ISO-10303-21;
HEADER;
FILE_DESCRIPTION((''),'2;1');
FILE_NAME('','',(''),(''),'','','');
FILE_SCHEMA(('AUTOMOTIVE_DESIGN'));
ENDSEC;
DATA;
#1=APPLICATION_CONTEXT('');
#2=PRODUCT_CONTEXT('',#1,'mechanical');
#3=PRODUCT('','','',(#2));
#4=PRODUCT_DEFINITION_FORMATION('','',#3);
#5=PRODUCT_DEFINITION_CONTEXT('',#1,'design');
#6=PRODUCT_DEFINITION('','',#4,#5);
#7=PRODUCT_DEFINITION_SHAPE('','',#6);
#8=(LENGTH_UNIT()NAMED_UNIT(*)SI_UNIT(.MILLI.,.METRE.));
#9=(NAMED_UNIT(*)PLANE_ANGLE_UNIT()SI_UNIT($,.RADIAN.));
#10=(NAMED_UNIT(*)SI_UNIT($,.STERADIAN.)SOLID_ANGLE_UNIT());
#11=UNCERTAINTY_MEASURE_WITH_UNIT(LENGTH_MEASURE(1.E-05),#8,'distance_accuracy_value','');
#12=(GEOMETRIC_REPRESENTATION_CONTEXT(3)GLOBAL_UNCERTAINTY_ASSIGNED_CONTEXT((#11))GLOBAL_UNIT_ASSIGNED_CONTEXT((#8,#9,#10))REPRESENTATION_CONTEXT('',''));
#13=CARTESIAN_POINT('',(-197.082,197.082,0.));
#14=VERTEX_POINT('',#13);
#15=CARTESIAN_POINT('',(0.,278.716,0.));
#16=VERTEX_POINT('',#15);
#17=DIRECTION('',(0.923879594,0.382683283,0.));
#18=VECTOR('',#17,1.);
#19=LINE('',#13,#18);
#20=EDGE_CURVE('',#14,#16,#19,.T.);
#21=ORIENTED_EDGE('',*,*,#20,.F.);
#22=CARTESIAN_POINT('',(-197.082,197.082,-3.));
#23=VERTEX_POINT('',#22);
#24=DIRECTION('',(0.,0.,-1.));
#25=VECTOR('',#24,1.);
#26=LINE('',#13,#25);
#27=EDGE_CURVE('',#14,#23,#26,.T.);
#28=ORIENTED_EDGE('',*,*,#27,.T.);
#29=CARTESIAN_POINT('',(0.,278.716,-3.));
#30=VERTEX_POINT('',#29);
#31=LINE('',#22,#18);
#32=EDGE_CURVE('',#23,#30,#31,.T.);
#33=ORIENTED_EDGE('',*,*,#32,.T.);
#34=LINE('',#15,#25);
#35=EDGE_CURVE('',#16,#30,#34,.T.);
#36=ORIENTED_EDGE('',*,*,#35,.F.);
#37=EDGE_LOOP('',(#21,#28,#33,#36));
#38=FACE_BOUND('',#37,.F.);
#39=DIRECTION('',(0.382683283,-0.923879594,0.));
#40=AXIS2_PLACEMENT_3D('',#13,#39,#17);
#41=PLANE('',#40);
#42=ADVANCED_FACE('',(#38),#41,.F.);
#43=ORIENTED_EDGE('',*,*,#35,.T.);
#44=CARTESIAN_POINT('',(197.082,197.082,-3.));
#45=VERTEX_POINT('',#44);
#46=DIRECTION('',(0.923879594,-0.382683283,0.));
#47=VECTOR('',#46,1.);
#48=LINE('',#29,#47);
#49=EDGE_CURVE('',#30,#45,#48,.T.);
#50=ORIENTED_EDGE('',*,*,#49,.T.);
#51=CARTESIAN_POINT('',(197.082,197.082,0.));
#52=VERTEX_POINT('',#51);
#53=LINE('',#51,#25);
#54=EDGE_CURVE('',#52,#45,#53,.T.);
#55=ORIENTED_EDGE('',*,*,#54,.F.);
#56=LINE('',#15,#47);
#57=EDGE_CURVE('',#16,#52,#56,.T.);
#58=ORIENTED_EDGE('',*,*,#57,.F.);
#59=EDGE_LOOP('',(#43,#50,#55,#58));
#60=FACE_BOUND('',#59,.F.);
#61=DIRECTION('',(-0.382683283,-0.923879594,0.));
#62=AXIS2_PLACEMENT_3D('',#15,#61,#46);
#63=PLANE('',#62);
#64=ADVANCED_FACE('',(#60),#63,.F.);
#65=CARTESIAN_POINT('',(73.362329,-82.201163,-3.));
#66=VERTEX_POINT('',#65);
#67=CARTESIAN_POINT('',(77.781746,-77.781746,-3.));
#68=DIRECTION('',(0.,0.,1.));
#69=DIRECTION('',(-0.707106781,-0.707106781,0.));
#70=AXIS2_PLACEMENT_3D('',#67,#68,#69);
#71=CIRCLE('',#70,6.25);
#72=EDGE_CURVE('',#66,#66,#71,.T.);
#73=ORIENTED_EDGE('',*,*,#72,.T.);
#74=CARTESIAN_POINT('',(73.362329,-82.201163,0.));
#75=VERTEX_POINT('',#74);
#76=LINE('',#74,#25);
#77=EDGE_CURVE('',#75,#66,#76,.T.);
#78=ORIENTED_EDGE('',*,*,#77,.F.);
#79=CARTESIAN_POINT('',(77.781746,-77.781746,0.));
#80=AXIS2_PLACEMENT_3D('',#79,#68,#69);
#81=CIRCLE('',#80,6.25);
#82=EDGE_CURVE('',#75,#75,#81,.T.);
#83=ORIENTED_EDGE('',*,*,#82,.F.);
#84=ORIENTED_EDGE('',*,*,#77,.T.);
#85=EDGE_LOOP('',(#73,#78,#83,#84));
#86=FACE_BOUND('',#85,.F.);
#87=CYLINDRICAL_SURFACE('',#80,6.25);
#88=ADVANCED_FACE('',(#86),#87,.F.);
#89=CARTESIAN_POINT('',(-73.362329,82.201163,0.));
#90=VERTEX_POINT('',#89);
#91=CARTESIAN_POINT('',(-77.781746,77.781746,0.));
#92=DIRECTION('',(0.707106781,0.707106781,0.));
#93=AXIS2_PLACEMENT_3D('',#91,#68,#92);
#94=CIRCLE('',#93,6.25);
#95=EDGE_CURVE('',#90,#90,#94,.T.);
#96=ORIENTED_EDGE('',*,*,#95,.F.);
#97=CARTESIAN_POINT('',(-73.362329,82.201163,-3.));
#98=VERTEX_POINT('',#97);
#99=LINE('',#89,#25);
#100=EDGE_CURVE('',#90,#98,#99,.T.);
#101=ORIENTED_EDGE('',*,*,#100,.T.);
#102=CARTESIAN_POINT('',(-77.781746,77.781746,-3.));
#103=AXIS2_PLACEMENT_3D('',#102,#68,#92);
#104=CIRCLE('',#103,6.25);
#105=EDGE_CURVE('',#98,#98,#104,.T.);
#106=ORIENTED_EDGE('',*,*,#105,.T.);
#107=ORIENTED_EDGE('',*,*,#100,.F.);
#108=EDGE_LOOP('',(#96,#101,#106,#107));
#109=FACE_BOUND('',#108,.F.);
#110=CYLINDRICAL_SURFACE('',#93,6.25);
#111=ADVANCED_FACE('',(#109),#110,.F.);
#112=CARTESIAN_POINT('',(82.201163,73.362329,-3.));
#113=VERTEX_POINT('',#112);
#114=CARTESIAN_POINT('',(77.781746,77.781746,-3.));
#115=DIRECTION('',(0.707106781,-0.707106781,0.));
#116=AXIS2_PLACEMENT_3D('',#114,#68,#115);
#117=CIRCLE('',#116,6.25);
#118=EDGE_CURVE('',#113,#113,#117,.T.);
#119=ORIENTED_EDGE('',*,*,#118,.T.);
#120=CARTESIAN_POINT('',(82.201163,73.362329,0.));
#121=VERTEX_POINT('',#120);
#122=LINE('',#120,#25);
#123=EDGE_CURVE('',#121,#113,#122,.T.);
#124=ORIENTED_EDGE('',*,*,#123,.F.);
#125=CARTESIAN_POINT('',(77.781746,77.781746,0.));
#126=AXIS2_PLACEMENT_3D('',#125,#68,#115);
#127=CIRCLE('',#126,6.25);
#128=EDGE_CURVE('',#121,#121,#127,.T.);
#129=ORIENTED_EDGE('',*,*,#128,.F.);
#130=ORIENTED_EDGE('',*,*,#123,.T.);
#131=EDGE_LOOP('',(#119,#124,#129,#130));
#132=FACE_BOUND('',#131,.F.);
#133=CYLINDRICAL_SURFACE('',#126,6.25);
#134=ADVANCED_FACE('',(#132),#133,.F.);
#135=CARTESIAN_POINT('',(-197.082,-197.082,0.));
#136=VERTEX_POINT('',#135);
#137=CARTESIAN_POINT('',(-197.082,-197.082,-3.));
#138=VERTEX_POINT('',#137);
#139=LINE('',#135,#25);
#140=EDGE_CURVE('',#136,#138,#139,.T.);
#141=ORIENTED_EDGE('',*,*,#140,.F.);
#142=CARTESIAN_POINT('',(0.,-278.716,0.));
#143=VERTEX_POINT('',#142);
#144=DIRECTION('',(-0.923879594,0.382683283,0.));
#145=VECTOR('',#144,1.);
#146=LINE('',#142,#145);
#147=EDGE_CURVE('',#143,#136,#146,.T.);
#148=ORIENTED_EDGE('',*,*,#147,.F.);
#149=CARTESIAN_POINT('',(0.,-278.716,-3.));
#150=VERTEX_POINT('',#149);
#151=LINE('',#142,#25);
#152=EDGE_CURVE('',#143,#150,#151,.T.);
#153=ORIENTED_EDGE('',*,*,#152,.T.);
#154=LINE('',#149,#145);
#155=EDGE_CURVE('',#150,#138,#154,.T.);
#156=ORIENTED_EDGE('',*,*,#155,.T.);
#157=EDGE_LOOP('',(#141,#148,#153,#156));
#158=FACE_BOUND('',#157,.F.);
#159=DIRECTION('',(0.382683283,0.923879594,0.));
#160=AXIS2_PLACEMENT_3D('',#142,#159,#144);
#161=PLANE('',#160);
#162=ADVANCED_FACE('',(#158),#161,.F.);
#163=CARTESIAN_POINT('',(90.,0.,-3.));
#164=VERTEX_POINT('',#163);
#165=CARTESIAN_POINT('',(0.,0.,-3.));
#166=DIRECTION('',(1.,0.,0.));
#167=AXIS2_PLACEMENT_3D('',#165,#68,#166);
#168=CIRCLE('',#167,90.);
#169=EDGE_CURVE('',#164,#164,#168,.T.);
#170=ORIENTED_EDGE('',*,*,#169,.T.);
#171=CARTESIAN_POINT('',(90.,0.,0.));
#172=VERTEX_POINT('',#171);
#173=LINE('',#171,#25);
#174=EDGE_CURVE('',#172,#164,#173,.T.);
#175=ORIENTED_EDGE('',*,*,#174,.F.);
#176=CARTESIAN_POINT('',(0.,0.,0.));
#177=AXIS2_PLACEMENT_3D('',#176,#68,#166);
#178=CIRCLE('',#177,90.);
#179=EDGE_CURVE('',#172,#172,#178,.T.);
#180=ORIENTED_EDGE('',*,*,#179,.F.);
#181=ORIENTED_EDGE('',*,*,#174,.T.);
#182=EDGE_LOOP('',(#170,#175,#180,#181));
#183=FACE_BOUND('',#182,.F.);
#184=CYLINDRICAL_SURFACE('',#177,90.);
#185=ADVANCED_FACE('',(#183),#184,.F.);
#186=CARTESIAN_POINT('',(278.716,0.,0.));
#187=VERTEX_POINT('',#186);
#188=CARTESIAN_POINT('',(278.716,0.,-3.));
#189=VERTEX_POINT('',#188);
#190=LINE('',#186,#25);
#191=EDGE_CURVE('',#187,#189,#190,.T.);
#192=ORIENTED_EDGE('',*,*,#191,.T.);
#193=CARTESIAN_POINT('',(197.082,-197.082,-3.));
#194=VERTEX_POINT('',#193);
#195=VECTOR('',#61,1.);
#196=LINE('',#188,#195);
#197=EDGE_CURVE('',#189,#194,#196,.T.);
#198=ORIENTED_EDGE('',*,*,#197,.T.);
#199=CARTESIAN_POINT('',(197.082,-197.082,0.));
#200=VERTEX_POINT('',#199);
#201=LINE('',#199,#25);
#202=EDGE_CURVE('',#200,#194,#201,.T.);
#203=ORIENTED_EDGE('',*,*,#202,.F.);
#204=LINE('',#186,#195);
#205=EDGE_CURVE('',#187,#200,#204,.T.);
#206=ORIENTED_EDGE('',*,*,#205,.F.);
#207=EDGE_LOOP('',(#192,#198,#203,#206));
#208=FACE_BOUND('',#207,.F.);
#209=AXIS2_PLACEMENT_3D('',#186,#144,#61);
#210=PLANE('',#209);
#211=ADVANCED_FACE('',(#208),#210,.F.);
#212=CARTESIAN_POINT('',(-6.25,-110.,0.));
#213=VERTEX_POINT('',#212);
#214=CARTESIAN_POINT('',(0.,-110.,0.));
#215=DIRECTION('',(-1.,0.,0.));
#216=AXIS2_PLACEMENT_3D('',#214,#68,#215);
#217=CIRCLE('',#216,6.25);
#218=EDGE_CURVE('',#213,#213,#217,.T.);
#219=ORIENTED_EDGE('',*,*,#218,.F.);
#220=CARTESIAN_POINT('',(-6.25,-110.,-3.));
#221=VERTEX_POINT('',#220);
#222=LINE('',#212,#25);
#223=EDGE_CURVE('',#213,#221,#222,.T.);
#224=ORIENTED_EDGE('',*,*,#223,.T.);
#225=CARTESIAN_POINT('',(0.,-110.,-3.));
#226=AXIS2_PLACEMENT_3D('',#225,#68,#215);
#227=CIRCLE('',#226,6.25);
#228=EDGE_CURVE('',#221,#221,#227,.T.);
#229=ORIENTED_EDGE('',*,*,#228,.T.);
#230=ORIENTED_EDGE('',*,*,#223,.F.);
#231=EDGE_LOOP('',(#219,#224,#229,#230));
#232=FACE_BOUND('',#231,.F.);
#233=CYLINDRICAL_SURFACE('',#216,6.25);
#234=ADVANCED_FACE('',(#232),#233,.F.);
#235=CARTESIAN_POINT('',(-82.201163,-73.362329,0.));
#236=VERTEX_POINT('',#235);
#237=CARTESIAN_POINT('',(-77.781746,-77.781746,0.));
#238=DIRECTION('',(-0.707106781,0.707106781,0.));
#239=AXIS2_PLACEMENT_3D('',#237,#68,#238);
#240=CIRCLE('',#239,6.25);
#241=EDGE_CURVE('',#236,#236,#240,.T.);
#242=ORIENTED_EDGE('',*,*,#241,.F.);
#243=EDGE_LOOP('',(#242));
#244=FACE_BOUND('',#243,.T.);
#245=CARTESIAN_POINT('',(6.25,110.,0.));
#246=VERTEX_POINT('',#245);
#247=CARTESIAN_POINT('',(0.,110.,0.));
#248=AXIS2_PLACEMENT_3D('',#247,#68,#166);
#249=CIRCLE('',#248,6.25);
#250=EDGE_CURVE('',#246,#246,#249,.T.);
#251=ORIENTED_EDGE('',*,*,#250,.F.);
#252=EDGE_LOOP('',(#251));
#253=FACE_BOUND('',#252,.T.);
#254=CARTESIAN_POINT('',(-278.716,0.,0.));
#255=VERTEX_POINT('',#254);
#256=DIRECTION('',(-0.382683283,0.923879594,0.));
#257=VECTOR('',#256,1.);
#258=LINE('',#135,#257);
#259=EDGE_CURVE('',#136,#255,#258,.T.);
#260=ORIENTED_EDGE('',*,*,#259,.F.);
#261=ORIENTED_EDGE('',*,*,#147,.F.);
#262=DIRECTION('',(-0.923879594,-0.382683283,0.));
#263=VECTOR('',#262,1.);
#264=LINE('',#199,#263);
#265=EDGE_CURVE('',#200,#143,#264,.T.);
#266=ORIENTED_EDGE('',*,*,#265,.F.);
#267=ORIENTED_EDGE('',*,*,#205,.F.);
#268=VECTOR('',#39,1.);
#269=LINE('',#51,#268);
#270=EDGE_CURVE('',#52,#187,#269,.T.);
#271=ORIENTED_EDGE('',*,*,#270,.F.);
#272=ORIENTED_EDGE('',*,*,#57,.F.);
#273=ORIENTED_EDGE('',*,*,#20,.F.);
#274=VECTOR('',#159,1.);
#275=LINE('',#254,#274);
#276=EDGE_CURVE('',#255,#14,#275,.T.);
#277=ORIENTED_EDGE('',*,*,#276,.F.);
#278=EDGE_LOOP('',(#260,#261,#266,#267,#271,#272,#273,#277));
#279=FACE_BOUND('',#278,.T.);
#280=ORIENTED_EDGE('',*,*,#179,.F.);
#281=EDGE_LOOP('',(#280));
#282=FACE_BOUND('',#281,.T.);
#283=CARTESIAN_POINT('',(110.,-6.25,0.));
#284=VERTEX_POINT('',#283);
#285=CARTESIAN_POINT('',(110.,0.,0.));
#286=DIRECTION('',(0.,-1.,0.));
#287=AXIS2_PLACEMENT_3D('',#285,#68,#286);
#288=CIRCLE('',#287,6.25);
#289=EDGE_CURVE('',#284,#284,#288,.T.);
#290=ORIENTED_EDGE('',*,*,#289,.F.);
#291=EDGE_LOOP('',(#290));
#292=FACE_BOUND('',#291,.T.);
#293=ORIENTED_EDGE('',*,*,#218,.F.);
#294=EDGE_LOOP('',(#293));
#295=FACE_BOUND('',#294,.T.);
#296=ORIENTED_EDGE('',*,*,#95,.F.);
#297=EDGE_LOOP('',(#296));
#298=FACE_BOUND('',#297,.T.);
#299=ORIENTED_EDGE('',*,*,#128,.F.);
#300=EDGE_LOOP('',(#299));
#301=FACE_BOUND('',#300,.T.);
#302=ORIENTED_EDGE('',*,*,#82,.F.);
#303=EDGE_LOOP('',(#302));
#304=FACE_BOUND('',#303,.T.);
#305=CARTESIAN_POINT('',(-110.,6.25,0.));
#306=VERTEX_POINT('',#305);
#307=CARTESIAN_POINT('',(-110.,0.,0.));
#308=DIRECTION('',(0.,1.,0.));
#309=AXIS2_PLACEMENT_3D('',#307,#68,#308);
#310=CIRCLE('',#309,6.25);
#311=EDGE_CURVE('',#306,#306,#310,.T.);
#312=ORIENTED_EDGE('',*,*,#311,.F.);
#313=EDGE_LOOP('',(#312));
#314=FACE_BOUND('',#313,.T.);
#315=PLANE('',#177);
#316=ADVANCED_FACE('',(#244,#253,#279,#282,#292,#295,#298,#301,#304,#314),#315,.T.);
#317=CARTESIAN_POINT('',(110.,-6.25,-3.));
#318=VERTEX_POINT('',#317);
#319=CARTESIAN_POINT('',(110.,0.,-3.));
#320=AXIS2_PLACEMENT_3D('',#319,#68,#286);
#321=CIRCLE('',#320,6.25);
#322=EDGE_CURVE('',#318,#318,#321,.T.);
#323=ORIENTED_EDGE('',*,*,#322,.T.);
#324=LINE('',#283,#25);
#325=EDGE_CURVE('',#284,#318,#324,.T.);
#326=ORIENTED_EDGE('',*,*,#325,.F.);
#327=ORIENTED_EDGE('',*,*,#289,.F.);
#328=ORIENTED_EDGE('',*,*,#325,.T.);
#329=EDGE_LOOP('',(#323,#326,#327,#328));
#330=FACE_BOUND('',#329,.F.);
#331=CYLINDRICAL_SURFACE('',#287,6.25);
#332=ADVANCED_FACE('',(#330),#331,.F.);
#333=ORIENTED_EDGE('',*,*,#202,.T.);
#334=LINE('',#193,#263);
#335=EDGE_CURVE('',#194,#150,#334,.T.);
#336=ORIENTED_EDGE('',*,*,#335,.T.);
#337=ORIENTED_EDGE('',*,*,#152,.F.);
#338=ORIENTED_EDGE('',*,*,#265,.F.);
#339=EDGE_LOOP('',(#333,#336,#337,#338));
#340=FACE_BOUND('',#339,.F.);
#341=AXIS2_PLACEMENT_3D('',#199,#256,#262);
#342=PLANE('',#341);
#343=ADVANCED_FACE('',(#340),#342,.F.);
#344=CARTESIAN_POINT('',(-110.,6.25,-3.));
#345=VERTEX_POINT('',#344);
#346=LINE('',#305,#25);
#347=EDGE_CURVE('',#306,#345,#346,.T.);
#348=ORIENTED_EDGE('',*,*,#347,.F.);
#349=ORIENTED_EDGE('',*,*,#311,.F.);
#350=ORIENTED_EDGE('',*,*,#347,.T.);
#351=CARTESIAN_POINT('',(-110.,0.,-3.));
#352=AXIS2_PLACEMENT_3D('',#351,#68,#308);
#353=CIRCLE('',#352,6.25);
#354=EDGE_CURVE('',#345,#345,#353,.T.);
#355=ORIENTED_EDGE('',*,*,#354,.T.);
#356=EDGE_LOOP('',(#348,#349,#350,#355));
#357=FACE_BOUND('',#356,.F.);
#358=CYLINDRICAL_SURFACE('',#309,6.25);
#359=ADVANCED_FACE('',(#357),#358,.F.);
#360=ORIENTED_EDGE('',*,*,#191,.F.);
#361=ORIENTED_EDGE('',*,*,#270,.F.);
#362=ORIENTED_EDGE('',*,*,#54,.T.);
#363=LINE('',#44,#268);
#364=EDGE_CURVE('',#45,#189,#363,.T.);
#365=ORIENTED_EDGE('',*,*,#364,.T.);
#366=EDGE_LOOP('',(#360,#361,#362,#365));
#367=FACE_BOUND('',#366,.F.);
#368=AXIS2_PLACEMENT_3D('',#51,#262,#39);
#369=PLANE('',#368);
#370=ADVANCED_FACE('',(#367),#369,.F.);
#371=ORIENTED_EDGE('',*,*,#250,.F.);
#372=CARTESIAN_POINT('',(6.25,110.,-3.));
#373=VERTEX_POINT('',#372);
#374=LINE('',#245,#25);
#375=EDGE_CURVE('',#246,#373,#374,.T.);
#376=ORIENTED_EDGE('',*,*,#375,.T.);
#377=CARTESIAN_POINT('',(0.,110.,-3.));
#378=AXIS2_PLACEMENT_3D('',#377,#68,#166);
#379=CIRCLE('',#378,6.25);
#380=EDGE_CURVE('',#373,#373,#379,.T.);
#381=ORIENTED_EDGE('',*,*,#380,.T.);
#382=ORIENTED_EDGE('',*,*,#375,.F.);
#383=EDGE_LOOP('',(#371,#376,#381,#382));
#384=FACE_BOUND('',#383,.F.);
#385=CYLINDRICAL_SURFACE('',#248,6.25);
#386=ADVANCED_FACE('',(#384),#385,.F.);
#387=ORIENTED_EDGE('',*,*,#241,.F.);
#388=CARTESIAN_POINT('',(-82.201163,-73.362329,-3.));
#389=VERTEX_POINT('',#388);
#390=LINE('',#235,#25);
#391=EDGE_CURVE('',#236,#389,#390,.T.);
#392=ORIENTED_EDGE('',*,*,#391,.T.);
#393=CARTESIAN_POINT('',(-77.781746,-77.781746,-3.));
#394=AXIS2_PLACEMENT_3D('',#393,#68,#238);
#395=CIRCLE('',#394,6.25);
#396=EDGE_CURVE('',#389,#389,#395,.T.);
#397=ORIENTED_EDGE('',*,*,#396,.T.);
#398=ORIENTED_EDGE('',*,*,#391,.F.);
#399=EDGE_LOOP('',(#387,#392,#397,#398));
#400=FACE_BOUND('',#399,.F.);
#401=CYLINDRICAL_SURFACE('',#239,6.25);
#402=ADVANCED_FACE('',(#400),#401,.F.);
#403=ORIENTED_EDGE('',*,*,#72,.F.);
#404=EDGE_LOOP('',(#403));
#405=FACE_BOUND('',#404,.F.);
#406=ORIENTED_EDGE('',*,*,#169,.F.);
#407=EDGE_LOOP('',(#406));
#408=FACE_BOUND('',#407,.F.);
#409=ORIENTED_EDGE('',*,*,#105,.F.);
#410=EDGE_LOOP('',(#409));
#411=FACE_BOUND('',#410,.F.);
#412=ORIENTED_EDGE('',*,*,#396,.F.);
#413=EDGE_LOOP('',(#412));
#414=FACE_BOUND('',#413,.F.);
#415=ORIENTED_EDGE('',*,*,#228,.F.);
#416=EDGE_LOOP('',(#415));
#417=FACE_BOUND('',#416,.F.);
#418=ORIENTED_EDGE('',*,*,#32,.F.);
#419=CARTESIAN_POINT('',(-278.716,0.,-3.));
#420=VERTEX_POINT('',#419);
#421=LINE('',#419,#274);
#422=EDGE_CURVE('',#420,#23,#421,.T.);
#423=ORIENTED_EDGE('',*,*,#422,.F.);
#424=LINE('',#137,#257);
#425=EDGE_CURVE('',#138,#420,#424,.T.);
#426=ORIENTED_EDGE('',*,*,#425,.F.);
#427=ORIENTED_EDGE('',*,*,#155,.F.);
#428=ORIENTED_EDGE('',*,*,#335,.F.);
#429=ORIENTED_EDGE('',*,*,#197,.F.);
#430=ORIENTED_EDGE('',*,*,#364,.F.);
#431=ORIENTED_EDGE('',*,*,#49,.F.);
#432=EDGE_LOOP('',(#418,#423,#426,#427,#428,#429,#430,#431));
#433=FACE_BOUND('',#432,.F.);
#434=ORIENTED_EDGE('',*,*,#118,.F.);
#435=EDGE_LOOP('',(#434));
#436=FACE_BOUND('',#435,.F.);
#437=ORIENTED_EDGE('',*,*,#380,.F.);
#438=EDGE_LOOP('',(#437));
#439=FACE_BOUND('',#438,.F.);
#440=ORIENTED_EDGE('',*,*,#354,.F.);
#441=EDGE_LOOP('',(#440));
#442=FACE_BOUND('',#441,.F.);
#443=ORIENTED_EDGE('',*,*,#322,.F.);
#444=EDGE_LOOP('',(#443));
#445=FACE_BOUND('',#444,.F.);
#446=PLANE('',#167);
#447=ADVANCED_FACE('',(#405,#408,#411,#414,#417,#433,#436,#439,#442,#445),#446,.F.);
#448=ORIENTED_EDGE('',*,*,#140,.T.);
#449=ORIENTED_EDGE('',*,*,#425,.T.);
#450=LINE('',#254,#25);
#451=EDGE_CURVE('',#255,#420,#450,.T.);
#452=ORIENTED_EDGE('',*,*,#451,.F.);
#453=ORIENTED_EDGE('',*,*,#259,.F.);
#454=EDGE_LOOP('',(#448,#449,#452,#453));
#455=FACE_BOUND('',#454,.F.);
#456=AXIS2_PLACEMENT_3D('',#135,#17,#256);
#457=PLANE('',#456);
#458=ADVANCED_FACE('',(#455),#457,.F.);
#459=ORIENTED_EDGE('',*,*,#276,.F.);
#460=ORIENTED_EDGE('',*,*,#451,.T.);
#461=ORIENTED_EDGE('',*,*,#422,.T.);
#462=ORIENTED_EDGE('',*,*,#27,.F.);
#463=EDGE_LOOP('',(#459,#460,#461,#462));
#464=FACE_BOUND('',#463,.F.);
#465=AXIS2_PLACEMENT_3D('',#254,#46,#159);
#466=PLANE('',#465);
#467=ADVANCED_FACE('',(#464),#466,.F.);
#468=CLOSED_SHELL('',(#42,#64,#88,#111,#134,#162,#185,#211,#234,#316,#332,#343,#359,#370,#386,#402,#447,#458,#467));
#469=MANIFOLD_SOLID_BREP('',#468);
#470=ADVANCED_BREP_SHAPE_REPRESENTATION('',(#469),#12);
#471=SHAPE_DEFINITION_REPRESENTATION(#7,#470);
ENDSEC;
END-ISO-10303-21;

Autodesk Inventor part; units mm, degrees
ref_plane "YZ Plane" through (0, 0, 0) normal (1, 0, 0) x (0, 1, 0)
ref_plane "XZ Plane" through (0, 0, 0) normal (0, 1, 0) x (-1, 0, 0)
ref_plane "XY Plane" through (0, 0, 0) normal (0, 0, 1) x (1, 0, 0)
sketch "Sketch2" plane through (0, 0, 0) normal (0, 0, 1) x (1, 0, 0)
  line L0 (-197.082, 197.082) -> (0, 278.716)
  line L1 (0, 278.716) -> (197.082, 197.082)
  line L2 (197.082, 197.082) -> (278.716, 0)
  line L3 (278.716, 0) -> (197.082, -197.082)
  line L4 (197.082, -197.082) -> (0, -278.716)
  line L5 (0, -278.716) -> (-197.082, -197.082)
  line L6 (-197.082, -197.082) -> (-278.716, 0)
  line L7 (-278.716, 0) -> (-197.082, 197.082)
  circle A0 centre (0, 0) radius 90
  dimension "d23" = 515
  dimension "d26" = 180
extrude "Plate1" add sketch "Sketch2" against normal blind 3
sketch "Sketch4" plane through (0, 0, 0) normal (0, 0, 1) x (1, 0, 0)
  circle A0 centre (0, 110) radius 6.25
  circle A1 centre (0, 0) radius 90 projected
  circle A2 centre (0, 0) radius 110 construction
  dimension "d28" = 220
  dimension "d16" = 12.5
extrude "Extrusion1" cut sketch "Sketch4" against normal up to surface (3 mm away) contours A0
pattern_circular "Circular Pattern1" count 8 over 360 about axis through (0, 0, -10) along (0, 0, 1) of "Extrusion1"
equation "\"d23\" = Барабан_размер_по_плоскостям"
equation "\"d15\" = Thickness"
equation "\"BendRadius\" = Thickness"
equation "\"BendReliefWidth\" = Thickness"
equation "\"BendReliefDepth\" = 0.5 * Thickness"
equation "\"CornerReliefSize\" = 4 * Thickness"
equation "\"MinimumRemnant\" = 2 * Thickness"
equation "\"TransitionRadius\" = BendRadius"
equation "\"JacobiRadiusSize\" = BendRadius"
equation "\"GapSize\" = Thickness"
equation "\"Барабан_размер_по_плоскостям\" = 515"
equation "\"Thickness\" = 3"
properties part number "DMF 01 21 Барабан торец НОС v2.1_наруж"
